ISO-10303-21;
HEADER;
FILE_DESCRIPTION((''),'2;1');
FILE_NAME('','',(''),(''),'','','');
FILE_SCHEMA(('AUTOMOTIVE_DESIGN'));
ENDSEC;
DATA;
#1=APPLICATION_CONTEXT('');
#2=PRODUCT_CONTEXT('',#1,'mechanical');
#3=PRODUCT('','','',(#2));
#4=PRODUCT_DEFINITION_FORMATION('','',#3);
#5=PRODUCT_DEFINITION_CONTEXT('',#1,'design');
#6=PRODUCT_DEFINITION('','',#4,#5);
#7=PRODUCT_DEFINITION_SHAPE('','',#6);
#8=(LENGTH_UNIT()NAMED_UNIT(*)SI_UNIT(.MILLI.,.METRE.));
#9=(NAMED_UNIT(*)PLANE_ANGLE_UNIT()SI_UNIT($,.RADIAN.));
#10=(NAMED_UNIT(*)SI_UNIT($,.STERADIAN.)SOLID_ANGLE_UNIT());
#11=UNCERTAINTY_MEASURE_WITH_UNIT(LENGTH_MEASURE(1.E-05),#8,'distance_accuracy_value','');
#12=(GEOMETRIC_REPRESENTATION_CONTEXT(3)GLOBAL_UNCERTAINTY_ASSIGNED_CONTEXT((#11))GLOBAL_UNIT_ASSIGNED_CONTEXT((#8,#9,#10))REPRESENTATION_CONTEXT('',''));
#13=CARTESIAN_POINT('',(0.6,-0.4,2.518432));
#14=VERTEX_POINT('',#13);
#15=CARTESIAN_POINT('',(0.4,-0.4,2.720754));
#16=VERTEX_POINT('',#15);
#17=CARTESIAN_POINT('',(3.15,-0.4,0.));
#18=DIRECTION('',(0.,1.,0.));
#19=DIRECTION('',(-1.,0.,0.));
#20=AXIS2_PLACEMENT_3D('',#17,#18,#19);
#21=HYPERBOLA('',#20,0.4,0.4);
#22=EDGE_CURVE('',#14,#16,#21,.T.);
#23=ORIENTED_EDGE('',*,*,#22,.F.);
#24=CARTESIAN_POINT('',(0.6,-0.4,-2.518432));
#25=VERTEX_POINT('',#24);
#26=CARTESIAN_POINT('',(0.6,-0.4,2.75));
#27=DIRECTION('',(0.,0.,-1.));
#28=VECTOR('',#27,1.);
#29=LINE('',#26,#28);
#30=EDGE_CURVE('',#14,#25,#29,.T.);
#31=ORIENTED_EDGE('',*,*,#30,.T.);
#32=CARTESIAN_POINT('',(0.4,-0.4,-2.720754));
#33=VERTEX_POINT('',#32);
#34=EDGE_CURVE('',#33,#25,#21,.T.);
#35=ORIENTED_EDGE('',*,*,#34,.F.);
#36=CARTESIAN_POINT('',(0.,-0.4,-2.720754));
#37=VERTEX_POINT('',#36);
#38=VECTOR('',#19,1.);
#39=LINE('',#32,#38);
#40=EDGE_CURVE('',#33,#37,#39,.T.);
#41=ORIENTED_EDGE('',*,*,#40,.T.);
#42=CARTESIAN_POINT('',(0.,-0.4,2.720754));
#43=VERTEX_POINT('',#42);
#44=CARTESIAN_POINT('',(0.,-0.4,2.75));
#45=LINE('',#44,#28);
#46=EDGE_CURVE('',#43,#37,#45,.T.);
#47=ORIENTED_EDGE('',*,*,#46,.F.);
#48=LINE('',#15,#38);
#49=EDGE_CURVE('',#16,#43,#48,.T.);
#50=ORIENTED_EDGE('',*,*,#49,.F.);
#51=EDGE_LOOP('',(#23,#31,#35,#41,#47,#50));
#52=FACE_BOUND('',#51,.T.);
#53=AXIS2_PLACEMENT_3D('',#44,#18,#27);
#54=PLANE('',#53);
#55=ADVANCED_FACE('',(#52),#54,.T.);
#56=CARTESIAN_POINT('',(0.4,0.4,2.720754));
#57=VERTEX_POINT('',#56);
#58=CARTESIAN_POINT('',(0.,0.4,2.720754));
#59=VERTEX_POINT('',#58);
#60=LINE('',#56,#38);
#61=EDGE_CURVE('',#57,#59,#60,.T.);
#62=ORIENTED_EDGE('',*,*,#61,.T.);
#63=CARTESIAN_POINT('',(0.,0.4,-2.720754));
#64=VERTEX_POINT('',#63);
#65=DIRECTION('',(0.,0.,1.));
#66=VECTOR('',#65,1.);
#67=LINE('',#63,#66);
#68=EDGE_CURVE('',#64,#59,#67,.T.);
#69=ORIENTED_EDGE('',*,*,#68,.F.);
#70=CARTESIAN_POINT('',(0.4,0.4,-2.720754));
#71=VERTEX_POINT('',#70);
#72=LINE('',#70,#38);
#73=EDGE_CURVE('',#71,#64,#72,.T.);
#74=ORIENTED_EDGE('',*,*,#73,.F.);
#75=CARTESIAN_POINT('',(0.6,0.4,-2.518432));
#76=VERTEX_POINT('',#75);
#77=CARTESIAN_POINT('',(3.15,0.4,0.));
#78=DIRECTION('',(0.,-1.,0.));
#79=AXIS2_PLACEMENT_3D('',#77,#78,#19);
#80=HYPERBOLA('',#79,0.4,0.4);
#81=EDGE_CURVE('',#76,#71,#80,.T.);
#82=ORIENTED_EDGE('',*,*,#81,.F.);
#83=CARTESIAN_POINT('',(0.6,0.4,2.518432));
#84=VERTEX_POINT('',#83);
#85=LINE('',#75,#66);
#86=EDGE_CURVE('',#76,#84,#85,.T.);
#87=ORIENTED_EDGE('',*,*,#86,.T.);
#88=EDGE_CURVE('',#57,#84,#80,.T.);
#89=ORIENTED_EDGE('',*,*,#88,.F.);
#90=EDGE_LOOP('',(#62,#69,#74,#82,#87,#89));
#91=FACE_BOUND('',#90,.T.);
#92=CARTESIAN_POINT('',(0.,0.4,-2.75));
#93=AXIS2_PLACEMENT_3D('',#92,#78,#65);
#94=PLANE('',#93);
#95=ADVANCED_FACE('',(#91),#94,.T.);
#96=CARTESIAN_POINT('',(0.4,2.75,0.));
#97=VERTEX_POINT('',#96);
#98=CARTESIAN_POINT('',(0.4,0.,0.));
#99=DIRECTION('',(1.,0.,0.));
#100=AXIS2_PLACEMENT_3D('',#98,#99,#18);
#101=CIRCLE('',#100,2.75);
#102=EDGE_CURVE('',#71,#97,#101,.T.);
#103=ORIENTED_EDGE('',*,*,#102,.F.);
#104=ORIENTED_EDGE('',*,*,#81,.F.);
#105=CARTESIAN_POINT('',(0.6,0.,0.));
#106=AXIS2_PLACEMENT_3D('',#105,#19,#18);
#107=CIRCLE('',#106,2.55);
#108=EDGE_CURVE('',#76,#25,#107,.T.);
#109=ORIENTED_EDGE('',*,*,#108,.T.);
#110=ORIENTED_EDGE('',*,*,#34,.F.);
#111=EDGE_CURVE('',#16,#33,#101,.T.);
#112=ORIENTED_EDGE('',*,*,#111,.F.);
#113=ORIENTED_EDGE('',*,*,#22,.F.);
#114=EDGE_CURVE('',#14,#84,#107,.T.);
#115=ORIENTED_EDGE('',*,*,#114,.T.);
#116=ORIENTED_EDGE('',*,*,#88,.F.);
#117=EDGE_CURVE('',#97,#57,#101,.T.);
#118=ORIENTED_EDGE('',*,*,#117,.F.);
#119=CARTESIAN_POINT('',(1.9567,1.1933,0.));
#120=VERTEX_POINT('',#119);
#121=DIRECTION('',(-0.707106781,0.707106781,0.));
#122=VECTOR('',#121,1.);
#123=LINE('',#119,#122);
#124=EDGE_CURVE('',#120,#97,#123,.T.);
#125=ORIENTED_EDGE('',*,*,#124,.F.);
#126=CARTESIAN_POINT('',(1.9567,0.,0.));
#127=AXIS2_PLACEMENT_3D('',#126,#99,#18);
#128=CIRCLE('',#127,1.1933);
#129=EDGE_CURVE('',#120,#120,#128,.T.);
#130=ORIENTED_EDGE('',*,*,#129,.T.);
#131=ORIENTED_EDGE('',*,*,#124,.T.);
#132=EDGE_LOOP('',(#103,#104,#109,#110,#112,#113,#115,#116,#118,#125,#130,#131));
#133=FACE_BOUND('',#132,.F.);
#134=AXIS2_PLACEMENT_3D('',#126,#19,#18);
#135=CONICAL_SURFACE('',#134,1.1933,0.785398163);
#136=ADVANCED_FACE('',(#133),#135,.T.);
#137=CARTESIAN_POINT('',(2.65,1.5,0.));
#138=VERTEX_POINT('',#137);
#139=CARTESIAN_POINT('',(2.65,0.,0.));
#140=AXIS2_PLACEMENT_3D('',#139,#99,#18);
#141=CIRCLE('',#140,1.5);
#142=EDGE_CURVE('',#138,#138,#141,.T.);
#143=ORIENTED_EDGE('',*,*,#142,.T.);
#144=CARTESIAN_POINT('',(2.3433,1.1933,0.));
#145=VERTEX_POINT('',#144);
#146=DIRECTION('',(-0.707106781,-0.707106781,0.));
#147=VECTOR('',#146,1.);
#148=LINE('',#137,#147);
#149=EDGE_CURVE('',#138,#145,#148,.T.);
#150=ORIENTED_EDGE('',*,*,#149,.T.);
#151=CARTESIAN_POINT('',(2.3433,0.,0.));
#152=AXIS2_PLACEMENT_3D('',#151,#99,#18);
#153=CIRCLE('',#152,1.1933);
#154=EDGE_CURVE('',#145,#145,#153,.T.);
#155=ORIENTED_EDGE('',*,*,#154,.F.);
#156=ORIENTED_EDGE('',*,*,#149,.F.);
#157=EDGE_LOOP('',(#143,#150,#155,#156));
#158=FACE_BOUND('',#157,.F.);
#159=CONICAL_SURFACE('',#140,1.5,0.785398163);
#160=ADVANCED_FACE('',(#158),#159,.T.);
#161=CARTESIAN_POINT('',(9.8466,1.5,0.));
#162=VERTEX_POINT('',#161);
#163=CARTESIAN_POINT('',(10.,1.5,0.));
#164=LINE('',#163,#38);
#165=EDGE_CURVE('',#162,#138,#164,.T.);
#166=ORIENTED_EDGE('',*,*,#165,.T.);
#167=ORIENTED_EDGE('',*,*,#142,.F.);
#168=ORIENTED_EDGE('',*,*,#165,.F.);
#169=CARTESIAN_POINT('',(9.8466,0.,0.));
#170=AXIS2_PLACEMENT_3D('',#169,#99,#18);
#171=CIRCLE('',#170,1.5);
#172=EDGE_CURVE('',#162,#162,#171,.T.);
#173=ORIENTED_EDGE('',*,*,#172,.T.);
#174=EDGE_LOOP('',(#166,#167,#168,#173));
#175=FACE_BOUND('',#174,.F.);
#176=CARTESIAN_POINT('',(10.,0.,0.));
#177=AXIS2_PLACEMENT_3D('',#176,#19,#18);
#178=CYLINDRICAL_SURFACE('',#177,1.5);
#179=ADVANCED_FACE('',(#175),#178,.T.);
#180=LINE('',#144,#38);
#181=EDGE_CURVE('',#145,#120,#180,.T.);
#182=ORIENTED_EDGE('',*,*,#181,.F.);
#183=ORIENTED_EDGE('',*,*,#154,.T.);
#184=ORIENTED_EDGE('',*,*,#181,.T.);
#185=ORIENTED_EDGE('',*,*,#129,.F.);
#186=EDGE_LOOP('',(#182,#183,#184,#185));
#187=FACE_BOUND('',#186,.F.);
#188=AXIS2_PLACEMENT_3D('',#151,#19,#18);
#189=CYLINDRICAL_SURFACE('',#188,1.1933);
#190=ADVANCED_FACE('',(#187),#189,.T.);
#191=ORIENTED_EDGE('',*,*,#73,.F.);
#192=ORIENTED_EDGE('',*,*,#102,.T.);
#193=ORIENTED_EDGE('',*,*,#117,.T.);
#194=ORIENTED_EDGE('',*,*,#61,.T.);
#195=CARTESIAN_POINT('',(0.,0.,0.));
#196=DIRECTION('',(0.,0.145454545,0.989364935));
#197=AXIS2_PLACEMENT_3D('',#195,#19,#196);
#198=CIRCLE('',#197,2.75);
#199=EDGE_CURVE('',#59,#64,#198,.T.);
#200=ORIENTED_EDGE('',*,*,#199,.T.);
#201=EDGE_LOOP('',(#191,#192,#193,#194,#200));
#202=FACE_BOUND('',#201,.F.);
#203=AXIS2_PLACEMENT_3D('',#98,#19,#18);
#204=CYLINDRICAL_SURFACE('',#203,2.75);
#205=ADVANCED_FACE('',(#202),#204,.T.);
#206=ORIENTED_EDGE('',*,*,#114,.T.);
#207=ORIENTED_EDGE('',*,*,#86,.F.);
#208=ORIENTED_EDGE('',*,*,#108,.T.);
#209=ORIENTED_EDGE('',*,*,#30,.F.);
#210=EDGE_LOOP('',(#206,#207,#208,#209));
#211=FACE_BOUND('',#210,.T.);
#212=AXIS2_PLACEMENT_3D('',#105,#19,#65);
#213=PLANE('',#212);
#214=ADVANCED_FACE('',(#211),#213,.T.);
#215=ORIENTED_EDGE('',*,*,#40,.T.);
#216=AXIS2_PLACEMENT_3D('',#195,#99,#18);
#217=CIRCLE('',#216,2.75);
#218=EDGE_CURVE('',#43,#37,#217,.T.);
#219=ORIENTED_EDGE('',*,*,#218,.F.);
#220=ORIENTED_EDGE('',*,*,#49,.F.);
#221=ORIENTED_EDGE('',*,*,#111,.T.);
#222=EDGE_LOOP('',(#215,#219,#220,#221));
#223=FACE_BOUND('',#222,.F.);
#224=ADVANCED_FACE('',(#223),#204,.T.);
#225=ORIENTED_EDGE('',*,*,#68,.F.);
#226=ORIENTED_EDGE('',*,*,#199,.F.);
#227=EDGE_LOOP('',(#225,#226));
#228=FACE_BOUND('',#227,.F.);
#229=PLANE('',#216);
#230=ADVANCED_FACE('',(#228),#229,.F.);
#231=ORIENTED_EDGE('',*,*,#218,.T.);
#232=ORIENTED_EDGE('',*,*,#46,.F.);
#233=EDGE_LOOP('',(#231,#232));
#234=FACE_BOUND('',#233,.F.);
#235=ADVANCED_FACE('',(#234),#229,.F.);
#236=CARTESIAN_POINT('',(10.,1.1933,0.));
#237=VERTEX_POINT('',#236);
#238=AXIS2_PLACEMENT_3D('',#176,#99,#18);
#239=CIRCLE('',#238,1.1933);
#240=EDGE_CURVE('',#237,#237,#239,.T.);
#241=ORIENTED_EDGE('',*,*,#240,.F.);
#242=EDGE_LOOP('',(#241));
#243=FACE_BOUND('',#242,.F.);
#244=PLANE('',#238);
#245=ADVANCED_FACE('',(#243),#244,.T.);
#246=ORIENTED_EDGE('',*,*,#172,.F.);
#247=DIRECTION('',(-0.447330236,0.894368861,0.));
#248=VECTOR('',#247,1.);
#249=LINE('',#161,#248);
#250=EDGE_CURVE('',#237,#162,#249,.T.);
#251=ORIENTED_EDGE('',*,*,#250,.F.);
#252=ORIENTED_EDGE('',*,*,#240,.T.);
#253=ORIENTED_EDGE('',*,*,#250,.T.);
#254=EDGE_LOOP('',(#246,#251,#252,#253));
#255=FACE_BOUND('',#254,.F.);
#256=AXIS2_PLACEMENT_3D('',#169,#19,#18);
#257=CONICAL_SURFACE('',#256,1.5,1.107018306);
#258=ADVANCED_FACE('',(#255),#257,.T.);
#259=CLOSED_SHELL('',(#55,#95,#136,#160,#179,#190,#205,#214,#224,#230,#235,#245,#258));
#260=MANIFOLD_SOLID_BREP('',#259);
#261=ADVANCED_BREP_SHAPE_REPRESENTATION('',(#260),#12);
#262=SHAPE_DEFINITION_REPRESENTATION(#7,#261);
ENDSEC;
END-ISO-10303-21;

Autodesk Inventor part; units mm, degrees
ref_plane "YZ Plane" through (0, 0, 0) normal (1, 0, 0) x (0, 1, 0)
ref_plane "XZ Plane" through (0, 0, 0) normal (0, 1, 0) x (-1, 0, 0)
sketch "스케치1" plane through (0, 0, 0) normal (0, 0, 1) x (1, 0, 0)
  line L0 (0, 0) -> (10, 0)
  line L1 (10, 0) -> (10, 1.5)
  line L2 (10, 1.5) -> (2.65, 1.5)
  line L3 (2.65, 1.5) -> (2.3433, 1.1933)
  line L4 (2.3433, 1.1933) -> (1.9567, 1.1933)
  line L5 (1.9567, 1.1933) -> (0.4, 2.75)
  line L6 (0.4, 2.75) -> (0, 2.75)
  line L7 (0, 2.75) -> (0, 0)
  line L8 (2.65, 1.5) -> (1.65, 1.5) construction
  line L9 (-2, 0) -> (12, 0) projected
  line L10 (0, 3.3) -> (0, -0.55) projected
  dimension "d0" = 10
  dimension "d1" = 45
  dimension "d2" = 0.3067
  dimension "d4" = 1.65
  dimension "d5" = 2.3866
  dimension "d6" = 3
  dimension "d7" = 5.5
revolve "본체" add sketch "스케치1" angle 360 about axis through (0, 0, 0) along (1, 0, 0)
sketch "스케치2" plane through (0, 0, 0) normal (-1, 0, 0) x (0, 0, 1)
  line L0 (2.75, -0.4) -> (-2.75, -0.4)
  line L1 (-2.75, -0.4) -> (-2.75, 0.4)
  line L2 (-2.75, 0.4) -> (2.75, 0.4)
  line L3 (2.75, 0.4) -> (2.75, -0.4)
  line L4 (0, 0.4) -> (0, -0.4) construction
  line L5 (-2.75, 0) -> (2.75, 0) construction
  line L6 (0, 2.75) -> (0, 0) projected
  dimension "d15" = 0.8
  dimension "d16" = 5.5
extrude "슬롯" cut sketch "스케치2" against normal blind 0.6
thread "스레드" size "M3x0.5" class "6g" standard "ISO Metric profile" length 8
chamfer "모따기1" distance 0.3067 distance2 0.1534 1 edges at (10, -1.5, 0) measured on face at (10, -0.5495, 0.6466)
ref_plane "Work Plane1" through (33.575, 0, 0) normal (0, 0, -1) x (1, 0, 0)
equation "\"d15\" = SBR"
equation "\"d16\" = KOD"
equation "\"d8\" = STI"
equation "\"d12\" = -0.5 * SPD + 0.5 * GD"
equation "\"d13\" = 0.5 * GAL"
equation "\"d1\" = 0.5 * SEWI"
equation "\"d2\" = GAL"
equation "\"d4\" = KOH"
equation "\"d5\" = BDM"
equation "\"d6\" = GD"
equation "\"d7\" = KOD"
equation "\"NLG\" = 6"
equation "\"GAL\" = 0.61345 * PTC"
equation "\"GEL\" = 3.35"
equation "\"KOH\" = 1.65"
equation "\"KOD\" = 5.5"
equation "\"SEWI\" = 90deg"
equation "\"BDM\" = NND - 1.2269 * PTC"
equation "\"GD\" = NND"
equation "\"SBR\" = 0.8"
equation "\"STI\" = 0.6"
equation "\"SPD\" = NND - 1.2269 * PTC"
equation "\"GUL\" = 0.61345 * PTC"
equation "\"PTC\" = 0.5"
equation "\"EPV\" = 3.15"
equation "\"THREADDIA\" = 3"
equation "\"TOA\" = 30deg"
equation "\"NND\" = 3"
equation "\"GD1\" = THREADDIA - 1.2269 * PTC"
properties part number "KS B 1021 - M 3 x 6(1)" material "강철, 연강"
